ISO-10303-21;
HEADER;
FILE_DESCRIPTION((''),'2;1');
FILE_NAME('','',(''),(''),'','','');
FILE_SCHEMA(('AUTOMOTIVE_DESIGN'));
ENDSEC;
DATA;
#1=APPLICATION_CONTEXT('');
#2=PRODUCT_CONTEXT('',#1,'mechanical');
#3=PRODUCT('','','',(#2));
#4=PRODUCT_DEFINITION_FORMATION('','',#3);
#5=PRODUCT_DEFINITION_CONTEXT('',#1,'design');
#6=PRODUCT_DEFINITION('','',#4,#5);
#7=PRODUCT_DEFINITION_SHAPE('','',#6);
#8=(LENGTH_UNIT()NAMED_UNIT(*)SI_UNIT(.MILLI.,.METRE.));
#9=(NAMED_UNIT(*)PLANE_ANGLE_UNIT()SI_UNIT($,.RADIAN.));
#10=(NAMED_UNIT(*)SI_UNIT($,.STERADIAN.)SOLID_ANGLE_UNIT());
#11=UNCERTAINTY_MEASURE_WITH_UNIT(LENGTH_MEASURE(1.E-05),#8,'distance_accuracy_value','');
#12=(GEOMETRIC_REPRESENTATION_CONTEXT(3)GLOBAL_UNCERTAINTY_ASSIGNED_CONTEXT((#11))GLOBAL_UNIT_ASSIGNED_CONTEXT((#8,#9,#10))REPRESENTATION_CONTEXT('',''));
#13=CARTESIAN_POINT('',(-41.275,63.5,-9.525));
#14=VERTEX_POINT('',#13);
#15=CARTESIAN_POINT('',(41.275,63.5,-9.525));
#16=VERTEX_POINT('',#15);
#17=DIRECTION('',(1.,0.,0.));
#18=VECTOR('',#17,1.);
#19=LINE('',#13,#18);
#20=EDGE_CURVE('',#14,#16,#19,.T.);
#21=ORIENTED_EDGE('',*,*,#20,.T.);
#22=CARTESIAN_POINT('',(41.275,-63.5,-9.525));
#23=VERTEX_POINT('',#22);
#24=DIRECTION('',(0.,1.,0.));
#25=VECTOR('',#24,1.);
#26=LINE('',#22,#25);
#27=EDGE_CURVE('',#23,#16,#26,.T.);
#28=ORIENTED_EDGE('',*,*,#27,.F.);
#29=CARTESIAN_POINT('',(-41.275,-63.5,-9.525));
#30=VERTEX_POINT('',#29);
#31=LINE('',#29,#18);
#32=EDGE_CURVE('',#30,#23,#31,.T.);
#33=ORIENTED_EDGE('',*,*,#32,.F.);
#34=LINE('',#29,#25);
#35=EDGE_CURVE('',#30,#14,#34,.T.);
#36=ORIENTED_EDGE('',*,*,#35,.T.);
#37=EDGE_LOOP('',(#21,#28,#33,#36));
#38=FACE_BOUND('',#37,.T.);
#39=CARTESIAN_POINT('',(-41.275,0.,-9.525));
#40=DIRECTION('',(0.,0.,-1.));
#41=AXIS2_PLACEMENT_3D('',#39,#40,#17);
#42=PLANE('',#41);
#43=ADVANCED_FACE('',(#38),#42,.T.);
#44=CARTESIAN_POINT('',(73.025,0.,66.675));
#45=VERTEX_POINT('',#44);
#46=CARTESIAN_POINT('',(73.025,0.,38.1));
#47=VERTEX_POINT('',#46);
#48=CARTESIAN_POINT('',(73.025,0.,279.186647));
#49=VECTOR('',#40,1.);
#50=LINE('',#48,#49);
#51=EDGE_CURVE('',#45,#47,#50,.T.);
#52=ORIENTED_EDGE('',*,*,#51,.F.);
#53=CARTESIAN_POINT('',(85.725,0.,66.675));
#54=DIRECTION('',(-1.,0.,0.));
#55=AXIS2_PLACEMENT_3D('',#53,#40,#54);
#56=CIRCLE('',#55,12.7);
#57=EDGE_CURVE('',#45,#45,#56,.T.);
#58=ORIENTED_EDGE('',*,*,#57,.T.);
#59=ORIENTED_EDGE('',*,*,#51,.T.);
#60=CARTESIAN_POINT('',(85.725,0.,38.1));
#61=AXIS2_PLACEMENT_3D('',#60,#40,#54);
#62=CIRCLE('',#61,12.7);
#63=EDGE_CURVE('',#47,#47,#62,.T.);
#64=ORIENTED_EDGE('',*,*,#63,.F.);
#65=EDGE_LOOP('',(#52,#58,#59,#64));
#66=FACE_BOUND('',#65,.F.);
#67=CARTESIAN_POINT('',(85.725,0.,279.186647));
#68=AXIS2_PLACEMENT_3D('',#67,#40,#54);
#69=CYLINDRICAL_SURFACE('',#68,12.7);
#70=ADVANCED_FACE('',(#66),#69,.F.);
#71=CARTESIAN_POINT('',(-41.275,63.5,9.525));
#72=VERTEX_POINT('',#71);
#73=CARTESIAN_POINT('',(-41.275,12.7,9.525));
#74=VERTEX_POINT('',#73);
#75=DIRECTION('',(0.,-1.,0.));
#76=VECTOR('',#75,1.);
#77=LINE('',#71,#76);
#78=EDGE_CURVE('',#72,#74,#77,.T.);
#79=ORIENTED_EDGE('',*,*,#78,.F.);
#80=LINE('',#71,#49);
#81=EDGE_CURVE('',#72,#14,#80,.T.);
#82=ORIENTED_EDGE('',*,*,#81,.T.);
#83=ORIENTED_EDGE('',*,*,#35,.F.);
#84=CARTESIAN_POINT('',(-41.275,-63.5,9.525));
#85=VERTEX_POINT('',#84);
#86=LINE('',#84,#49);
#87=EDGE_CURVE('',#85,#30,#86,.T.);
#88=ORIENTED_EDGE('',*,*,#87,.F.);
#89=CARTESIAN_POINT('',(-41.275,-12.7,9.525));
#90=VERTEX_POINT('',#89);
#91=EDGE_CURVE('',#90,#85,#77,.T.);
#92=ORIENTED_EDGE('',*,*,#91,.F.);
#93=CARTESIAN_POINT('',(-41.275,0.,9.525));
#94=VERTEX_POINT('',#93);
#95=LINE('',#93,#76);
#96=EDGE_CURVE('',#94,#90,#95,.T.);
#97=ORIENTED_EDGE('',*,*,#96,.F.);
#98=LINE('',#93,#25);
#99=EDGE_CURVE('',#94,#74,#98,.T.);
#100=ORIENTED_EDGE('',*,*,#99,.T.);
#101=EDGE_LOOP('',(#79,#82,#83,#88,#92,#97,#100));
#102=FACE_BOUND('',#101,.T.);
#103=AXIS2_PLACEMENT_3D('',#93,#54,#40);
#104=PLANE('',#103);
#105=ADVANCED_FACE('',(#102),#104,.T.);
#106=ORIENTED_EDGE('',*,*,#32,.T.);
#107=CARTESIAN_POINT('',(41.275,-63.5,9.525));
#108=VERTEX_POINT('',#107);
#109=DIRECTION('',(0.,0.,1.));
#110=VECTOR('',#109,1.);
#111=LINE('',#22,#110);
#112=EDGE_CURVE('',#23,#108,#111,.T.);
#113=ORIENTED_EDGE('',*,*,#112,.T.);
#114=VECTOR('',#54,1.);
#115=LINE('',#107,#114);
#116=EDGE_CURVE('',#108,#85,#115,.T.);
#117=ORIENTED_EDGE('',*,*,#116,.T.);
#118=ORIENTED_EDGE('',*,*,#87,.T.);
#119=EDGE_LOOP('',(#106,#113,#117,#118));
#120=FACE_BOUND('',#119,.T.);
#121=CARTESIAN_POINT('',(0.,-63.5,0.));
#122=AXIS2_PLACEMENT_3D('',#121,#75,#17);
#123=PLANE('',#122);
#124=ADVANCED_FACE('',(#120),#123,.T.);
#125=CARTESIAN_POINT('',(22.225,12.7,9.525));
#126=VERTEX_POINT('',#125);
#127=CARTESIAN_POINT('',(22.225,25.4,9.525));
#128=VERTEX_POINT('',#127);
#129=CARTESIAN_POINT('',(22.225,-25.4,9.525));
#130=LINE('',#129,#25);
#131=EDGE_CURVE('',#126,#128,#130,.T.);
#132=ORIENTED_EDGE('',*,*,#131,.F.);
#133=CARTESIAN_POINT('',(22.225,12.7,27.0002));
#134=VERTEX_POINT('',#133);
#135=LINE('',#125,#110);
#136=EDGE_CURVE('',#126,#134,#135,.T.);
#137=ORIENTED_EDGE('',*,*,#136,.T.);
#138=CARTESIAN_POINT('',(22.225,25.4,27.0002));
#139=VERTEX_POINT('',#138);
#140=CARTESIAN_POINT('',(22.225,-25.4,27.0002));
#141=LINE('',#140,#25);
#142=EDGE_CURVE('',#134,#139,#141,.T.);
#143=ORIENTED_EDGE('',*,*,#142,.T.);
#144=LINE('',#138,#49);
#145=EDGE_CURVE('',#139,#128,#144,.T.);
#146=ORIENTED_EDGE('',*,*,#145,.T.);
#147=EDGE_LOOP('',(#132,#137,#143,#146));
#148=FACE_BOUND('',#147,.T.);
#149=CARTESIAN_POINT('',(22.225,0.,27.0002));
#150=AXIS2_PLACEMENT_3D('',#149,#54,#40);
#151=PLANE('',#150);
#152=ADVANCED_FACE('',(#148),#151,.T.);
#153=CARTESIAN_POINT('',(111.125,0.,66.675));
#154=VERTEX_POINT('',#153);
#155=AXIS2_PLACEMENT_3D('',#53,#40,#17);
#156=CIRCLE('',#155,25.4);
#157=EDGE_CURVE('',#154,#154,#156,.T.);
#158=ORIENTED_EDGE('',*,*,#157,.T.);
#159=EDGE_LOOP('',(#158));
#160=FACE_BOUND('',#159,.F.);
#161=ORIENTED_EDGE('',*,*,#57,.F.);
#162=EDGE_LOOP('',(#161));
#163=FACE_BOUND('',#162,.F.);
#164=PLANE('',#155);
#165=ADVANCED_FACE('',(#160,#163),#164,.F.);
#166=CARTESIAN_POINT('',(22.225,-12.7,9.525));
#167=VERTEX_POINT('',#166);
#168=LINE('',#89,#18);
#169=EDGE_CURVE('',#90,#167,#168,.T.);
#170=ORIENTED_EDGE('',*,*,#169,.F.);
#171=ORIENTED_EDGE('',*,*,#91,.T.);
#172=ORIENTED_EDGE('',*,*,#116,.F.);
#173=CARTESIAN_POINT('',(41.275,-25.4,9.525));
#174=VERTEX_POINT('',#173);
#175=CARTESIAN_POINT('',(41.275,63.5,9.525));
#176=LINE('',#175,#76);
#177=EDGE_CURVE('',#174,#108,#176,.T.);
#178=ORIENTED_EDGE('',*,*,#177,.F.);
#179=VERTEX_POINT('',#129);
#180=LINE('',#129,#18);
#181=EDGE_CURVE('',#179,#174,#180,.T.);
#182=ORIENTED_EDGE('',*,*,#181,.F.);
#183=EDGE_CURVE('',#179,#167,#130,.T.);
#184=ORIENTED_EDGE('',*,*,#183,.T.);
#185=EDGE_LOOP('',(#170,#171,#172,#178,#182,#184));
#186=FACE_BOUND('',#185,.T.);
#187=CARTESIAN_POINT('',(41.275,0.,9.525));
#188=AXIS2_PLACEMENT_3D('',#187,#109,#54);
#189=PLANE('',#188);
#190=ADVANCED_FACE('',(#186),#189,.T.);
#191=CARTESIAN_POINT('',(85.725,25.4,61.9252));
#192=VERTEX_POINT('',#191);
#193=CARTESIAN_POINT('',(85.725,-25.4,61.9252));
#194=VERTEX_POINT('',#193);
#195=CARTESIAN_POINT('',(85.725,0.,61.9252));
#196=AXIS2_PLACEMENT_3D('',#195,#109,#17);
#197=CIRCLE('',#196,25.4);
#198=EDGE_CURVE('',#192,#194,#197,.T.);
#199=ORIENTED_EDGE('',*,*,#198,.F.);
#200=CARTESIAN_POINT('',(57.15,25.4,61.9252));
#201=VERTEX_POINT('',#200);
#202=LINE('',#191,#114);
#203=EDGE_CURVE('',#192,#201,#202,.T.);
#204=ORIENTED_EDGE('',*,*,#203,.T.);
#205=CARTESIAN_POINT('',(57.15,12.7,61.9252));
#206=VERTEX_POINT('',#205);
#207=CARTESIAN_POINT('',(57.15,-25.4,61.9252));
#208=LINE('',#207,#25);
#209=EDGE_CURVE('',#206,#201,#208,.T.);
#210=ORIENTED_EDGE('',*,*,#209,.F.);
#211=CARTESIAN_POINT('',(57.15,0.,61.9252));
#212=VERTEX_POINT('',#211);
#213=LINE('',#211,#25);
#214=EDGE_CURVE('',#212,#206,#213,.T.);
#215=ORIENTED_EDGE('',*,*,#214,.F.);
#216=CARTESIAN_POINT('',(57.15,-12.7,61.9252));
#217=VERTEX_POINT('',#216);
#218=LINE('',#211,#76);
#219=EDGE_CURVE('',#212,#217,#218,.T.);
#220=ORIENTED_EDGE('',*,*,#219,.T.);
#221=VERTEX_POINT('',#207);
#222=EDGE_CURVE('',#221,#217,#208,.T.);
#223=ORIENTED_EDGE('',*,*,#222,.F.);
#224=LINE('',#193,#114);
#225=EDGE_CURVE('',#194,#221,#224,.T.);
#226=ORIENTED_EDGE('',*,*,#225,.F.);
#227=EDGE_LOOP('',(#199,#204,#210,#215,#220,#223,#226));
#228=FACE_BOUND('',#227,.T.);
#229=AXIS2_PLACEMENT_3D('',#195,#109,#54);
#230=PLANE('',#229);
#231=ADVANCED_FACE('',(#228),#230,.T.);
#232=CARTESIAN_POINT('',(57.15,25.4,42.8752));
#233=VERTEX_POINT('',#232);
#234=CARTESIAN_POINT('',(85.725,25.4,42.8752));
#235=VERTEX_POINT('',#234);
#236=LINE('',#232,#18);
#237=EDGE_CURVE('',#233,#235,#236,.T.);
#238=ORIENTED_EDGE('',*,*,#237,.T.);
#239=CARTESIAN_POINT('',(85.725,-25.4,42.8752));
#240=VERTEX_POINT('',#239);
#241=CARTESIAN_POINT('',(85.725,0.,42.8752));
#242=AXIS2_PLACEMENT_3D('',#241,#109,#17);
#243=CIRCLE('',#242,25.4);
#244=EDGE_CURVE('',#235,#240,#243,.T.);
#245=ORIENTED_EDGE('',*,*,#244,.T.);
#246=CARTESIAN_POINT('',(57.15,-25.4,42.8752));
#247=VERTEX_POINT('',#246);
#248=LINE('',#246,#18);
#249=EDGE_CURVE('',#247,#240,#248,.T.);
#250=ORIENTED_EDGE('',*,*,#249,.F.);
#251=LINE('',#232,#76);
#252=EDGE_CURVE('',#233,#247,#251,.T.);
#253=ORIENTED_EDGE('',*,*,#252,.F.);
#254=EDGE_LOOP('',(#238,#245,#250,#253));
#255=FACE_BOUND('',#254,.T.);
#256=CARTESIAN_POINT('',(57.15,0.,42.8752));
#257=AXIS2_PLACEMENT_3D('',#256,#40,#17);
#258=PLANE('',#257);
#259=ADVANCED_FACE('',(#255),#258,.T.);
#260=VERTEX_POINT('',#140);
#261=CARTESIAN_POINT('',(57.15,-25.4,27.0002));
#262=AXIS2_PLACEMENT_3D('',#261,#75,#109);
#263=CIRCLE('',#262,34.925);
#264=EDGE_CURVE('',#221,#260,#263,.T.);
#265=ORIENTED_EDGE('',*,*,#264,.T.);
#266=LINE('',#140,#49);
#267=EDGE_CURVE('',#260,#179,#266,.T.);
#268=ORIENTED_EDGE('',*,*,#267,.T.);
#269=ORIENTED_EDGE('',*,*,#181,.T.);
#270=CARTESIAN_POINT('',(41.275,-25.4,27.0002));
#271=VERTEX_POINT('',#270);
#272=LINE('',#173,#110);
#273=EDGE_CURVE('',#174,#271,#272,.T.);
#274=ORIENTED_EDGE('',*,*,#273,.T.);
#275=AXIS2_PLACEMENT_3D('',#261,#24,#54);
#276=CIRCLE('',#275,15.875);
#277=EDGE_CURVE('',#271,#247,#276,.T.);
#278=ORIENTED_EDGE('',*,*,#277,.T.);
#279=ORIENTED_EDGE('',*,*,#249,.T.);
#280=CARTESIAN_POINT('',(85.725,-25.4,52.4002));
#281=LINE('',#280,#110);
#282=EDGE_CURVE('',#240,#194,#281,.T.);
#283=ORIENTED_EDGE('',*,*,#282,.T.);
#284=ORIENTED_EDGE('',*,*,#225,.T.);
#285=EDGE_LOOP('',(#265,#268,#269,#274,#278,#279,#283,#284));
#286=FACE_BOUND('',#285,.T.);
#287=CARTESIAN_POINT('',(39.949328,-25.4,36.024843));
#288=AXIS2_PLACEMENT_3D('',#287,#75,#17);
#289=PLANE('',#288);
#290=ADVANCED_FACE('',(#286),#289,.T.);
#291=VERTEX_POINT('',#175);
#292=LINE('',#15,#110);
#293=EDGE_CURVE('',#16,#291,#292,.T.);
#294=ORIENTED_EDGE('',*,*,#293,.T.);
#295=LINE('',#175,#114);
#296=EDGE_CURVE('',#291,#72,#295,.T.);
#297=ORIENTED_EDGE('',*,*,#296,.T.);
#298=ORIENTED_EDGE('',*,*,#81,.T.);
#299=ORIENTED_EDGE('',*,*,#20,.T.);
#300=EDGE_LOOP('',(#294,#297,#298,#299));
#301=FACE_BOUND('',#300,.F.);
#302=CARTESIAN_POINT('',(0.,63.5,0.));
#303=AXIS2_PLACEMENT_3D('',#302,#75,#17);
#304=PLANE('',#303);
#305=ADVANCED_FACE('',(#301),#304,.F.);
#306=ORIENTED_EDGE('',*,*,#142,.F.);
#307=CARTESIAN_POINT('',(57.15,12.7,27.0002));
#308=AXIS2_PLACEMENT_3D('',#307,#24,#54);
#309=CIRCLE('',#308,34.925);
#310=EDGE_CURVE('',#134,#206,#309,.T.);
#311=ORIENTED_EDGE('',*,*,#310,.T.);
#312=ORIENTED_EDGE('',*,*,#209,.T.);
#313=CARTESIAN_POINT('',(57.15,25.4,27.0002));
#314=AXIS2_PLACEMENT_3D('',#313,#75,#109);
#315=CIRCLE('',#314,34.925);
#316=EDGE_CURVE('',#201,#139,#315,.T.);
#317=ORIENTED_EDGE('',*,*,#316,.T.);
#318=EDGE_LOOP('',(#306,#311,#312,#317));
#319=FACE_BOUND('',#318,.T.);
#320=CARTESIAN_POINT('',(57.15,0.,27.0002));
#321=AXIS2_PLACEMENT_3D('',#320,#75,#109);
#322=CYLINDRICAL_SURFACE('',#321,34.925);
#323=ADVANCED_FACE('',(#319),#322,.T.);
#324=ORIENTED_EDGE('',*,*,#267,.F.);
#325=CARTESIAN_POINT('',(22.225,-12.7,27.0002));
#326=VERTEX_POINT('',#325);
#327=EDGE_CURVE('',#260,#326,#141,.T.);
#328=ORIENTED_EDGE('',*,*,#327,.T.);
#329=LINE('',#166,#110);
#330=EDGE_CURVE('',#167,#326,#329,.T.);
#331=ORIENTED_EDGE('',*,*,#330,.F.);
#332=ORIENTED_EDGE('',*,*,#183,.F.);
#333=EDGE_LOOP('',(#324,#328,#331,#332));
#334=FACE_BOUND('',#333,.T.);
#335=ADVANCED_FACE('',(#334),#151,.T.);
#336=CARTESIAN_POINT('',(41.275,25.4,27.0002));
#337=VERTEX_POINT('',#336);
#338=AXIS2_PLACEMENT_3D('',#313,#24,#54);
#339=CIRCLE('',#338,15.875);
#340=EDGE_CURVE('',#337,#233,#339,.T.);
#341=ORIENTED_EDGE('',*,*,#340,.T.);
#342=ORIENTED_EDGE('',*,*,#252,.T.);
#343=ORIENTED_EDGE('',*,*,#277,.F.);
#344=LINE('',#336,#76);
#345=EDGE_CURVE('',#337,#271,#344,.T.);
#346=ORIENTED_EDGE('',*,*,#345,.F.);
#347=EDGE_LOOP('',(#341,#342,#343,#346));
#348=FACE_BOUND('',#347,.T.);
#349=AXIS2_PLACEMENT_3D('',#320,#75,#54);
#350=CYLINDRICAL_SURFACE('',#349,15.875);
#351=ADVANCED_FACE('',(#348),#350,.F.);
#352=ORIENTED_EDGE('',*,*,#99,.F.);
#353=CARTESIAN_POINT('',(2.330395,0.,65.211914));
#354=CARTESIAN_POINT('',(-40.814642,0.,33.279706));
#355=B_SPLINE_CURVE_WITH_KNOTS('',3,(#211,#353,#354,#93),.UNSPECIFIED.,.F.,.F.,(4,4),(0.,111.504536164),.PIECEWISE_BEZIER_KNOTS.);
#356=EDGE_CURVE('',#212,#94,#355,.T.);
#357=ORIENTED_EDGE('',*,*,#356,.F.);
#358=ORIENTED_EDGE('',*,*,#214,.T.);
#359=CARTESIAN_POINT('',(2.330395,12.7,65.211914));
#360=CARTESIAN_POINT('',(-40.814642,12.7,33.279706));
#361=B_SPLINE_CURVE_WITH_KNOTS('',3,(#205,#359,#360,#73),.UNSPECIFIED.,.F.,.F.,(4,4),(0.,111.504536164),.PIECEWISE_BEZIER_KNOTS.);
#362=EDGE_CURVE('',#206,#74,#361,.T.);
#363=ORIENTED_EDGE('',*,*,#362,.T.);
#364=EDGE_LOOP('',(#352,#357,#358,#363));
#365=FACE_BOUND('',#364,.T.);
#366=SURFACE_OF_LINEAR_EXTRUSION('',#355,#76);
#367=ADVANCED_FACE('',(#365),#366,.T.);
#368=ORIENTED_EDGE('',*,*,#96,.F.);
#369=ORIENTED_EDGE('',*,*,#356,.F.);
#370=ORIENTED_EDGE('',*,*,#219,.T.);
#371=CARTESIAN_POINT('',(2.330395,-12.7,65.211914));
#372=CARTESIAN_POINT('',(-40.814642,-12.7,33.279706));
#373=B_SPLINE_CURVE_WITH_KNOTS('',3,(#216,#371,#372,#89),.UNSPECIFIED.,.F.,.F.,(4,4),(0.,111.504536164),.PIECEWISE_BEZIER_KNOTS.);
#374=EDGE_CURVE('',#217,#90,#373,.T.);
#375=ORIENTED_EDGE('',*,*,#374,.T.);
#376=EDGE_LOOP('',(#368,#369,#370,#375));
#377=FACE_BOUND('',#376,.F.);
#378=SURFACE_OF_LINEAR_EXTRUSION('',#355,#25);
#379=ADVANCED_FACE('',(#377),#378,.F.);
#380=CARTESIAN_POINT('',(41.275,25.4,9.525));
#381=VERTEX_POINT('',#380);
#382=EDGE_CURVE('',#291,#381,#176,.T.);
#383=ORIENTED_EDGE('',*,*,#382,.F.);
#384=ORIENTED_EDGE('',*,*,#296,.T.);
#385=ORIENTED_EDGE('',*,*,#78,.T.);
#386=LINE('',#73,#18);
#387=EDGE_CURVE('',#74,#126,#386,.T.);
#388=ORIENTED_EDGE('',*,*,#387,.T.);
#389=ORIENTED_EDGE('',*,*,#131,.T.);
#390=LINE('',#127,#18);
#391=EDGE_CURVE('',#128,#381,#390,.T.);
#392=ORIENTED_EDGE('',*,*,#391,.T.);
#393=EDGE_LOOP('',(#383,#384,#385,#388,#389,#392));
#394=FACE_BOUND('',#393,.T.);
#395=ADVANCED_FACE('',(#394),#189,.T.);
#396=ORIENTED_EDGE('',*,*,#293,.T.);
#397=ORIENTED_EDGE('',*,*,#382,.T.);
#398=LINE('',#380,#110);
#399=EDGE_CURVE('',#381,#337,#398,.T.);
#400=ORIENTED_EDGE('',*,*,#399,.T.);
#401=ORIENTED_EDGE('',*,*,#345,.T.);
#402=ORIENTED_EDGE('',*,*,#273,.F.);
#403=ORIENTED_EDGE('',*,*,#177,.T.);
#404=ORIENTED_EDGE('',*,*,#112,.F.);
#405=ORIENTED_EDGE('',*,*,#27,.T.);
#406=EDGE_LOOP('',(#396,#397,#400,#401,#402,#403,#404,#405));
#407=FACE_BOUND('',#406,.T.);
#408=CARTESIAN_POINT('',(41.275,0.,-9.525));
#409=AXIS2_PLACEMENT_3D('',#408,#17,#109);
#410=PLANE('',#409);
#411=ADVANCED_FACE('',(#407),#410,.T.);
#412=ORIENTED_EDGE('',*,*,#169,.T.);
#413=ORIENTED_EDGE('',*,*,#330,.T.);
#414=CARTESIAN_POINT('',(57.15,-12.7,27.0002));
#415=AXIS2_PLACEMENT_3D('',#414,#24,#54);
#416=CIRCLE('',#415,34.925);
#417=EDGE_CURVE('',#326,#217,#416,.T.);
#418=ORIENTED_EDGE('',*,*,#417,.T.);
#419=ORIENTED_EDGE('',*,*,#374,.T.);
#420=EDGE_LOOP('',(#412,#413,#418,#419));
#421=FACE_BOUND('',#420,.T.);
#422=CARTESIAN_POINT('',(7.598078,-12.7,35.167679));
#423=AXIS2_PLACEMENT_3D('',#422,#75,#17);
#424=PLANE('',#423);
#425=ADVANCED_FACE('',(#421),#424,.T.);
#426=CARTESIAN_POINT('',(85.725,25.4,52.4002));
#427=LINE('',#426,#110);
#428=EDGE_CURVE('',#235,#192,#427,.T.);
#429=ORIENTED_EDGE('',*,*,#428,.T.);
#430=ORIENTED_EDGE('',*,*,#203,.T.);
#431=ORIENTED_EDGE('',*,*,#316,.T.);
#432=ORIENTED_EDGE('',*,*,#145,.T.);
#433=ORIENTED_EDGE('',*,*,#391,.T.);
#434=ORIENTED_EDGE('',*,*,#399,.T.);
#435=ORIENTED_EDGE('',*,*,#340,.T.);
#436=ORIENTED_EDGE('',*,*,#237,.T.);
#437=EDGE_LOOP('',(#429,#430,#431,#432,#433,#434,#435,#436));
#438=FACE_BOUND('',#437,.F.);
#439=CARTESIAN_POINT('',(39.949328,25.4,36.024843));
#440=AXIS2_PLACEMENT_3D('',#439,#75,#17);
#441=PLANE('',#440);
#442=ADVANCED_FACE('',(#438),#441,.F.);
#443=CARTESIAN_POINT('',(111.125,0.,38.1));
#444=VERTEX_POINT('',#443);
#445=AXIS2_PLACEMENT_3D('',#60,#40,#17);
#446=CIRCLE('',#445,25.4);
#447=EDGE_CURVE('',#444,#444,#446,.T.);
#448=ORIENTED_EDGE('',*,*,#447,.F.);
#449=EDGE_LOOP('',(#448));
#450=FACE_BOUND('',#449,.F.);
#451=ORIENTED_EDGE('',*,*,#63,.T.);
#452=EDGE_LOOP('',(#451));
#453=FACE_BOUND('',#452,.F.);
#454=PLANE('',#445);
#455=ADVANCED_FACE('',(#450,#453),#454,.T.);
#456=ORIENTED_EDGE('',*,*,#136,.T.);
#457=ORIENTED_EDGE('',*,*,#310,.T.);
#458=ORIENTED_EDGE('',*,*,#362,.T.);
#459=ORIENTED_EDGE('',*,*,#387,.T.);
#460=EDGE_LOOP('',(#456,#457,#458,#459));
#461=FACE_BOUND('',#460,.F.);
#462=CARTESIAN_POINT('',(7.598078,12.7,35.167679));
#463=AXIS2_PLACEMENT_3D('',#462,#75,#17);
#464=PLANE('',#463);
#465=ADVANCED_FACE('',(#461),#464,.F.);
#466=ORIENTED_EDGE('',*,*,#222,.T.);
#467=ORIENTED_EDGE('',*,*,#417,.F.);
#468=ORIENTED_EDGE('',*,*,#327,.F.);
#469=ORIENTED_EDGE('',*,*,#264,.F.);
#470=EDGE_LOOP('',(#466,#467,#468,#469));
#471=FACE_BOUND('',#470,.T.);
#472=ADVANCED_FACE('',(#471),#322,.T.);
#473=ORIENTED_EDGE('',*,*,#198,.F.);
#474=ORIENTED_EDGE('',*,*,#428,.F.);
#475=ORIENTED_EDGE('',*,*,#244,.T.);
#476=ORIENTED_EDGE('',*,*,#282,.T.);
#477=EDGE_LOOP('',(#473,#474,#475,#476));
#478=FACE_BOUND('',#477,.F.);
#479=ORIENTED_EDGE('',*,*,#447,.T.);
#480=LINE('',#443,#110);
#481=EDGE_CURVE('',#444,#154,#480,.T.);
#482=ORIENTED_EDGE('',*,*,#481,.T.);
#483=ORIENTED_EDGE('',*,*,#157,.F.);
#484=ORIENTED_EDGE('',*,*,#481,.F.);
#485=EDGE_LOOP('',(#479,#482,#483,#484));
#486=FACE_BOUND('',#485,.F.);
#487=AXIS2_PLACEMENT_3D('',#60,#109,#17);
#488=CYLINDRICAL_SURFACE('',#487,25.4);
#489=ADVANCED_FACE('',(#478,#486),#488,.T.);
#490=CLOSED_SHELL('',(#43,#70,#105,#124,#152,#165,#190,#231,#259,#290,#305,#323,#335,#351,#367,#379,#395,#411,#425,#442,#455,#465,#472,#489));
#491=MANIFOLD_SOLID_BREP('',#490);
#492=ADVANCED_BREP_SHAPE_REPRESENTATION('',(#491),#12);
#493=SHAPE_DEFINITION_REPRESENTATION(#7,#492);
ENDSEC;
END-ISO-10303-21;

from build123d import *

# Parameters (mm, degrees)
F1_DEPTH = 63.5
F0_W     = 25.4
F0_H     = 19.05
F2_DEPTH = 25.4
F3_DEPTH = 12.7
F6_D     = 25.4


with BuildPart() as f1:
    # F0 (on Front) → F1 (new body, symmetric)
    with BuildSketch(Plane.XZ):
        Polygon((41.275, -9.525), (41.275, 9.525), (22.225, 9.525), (-41.275, 9.525), (-41.275, -9.525), align=None)
    extrude(amount=F1_DEPTH, both=True)

    # F0 (on Front) → F2 (join, symmetric)
    with BuildSketch(Plane.XZ):
        with BuildLine():
            Line((22.225, 9.525), (41.275, 9.525))
            Line((41.275, 9.525), (41.275, 27.0002))
            ThreePointArc((41.275, 27.0002), (45.9246798487, 38.2255201513), (57.15, 42.8752))
            Line((57.15, 42.8752), (60.325, 42.8752))
            Line((60.325, 42.8752), (60.325, 61.9252))
            Line((60.325, 61.9252), (57.15, 61.9252))
            ThreePointArc((57.15, 61.9252), (32.4542956671, 51.6959043329), (22.225, 27.0002))
            Line((22.225, 27.0002), (22.225, 9.525))
        make_face()
        with Locations((73.025, 52.4002)):
            Rectangle(F0_W, F0_H)
    extrude(amount=F2_DEPTH, both=True)

    # F0 (on Front) → F3 (join, symmetric)
    with BuildSketch(Plane.XZ):
        with BuildLine():
            Line((-41.275, 9.525), (22.225, 9.525))
            Line((22.225, 9.525), (22.225, 27.0002))
            ThreePointArc((22.225, 27.0002), (32.4542956671, 51.6959043329), (57.15, 61.9252))
            add(Edge.make_bspline(
                [(57.15, 61.9252), (2.3303949274, 65.2119144797), (-40.8146418631, 33.2797057927), (-41.275, 9.525)],
                knots=[0, 0, 0, 0, 111.5045361635, 111.5045361635, 111.5045361635, 111.5045361635], degree=3))
        make_face()
    extrude(amount=F3_DEPTH, both=True)

    # F0 (on Front) → F4 (revolve)
    with BuildSketch(Plane.XZ):
        Polygon((85.725, 61.9252), (85.725, 42.8752), (85.725, 38.1), (111.125, 38.1), (111.125, 66.675), (85.725, 66.675), align=None)
    revolve(axis=Axis((85.725, 0, 52.3875), (0, 0, -1)))

    # F6 (through all)
    with Locations(Plane.XY.offset(66.675)):
        with Locations((85.725, 0)):
            Hole(F6_D / 2)


solid = f1.part
